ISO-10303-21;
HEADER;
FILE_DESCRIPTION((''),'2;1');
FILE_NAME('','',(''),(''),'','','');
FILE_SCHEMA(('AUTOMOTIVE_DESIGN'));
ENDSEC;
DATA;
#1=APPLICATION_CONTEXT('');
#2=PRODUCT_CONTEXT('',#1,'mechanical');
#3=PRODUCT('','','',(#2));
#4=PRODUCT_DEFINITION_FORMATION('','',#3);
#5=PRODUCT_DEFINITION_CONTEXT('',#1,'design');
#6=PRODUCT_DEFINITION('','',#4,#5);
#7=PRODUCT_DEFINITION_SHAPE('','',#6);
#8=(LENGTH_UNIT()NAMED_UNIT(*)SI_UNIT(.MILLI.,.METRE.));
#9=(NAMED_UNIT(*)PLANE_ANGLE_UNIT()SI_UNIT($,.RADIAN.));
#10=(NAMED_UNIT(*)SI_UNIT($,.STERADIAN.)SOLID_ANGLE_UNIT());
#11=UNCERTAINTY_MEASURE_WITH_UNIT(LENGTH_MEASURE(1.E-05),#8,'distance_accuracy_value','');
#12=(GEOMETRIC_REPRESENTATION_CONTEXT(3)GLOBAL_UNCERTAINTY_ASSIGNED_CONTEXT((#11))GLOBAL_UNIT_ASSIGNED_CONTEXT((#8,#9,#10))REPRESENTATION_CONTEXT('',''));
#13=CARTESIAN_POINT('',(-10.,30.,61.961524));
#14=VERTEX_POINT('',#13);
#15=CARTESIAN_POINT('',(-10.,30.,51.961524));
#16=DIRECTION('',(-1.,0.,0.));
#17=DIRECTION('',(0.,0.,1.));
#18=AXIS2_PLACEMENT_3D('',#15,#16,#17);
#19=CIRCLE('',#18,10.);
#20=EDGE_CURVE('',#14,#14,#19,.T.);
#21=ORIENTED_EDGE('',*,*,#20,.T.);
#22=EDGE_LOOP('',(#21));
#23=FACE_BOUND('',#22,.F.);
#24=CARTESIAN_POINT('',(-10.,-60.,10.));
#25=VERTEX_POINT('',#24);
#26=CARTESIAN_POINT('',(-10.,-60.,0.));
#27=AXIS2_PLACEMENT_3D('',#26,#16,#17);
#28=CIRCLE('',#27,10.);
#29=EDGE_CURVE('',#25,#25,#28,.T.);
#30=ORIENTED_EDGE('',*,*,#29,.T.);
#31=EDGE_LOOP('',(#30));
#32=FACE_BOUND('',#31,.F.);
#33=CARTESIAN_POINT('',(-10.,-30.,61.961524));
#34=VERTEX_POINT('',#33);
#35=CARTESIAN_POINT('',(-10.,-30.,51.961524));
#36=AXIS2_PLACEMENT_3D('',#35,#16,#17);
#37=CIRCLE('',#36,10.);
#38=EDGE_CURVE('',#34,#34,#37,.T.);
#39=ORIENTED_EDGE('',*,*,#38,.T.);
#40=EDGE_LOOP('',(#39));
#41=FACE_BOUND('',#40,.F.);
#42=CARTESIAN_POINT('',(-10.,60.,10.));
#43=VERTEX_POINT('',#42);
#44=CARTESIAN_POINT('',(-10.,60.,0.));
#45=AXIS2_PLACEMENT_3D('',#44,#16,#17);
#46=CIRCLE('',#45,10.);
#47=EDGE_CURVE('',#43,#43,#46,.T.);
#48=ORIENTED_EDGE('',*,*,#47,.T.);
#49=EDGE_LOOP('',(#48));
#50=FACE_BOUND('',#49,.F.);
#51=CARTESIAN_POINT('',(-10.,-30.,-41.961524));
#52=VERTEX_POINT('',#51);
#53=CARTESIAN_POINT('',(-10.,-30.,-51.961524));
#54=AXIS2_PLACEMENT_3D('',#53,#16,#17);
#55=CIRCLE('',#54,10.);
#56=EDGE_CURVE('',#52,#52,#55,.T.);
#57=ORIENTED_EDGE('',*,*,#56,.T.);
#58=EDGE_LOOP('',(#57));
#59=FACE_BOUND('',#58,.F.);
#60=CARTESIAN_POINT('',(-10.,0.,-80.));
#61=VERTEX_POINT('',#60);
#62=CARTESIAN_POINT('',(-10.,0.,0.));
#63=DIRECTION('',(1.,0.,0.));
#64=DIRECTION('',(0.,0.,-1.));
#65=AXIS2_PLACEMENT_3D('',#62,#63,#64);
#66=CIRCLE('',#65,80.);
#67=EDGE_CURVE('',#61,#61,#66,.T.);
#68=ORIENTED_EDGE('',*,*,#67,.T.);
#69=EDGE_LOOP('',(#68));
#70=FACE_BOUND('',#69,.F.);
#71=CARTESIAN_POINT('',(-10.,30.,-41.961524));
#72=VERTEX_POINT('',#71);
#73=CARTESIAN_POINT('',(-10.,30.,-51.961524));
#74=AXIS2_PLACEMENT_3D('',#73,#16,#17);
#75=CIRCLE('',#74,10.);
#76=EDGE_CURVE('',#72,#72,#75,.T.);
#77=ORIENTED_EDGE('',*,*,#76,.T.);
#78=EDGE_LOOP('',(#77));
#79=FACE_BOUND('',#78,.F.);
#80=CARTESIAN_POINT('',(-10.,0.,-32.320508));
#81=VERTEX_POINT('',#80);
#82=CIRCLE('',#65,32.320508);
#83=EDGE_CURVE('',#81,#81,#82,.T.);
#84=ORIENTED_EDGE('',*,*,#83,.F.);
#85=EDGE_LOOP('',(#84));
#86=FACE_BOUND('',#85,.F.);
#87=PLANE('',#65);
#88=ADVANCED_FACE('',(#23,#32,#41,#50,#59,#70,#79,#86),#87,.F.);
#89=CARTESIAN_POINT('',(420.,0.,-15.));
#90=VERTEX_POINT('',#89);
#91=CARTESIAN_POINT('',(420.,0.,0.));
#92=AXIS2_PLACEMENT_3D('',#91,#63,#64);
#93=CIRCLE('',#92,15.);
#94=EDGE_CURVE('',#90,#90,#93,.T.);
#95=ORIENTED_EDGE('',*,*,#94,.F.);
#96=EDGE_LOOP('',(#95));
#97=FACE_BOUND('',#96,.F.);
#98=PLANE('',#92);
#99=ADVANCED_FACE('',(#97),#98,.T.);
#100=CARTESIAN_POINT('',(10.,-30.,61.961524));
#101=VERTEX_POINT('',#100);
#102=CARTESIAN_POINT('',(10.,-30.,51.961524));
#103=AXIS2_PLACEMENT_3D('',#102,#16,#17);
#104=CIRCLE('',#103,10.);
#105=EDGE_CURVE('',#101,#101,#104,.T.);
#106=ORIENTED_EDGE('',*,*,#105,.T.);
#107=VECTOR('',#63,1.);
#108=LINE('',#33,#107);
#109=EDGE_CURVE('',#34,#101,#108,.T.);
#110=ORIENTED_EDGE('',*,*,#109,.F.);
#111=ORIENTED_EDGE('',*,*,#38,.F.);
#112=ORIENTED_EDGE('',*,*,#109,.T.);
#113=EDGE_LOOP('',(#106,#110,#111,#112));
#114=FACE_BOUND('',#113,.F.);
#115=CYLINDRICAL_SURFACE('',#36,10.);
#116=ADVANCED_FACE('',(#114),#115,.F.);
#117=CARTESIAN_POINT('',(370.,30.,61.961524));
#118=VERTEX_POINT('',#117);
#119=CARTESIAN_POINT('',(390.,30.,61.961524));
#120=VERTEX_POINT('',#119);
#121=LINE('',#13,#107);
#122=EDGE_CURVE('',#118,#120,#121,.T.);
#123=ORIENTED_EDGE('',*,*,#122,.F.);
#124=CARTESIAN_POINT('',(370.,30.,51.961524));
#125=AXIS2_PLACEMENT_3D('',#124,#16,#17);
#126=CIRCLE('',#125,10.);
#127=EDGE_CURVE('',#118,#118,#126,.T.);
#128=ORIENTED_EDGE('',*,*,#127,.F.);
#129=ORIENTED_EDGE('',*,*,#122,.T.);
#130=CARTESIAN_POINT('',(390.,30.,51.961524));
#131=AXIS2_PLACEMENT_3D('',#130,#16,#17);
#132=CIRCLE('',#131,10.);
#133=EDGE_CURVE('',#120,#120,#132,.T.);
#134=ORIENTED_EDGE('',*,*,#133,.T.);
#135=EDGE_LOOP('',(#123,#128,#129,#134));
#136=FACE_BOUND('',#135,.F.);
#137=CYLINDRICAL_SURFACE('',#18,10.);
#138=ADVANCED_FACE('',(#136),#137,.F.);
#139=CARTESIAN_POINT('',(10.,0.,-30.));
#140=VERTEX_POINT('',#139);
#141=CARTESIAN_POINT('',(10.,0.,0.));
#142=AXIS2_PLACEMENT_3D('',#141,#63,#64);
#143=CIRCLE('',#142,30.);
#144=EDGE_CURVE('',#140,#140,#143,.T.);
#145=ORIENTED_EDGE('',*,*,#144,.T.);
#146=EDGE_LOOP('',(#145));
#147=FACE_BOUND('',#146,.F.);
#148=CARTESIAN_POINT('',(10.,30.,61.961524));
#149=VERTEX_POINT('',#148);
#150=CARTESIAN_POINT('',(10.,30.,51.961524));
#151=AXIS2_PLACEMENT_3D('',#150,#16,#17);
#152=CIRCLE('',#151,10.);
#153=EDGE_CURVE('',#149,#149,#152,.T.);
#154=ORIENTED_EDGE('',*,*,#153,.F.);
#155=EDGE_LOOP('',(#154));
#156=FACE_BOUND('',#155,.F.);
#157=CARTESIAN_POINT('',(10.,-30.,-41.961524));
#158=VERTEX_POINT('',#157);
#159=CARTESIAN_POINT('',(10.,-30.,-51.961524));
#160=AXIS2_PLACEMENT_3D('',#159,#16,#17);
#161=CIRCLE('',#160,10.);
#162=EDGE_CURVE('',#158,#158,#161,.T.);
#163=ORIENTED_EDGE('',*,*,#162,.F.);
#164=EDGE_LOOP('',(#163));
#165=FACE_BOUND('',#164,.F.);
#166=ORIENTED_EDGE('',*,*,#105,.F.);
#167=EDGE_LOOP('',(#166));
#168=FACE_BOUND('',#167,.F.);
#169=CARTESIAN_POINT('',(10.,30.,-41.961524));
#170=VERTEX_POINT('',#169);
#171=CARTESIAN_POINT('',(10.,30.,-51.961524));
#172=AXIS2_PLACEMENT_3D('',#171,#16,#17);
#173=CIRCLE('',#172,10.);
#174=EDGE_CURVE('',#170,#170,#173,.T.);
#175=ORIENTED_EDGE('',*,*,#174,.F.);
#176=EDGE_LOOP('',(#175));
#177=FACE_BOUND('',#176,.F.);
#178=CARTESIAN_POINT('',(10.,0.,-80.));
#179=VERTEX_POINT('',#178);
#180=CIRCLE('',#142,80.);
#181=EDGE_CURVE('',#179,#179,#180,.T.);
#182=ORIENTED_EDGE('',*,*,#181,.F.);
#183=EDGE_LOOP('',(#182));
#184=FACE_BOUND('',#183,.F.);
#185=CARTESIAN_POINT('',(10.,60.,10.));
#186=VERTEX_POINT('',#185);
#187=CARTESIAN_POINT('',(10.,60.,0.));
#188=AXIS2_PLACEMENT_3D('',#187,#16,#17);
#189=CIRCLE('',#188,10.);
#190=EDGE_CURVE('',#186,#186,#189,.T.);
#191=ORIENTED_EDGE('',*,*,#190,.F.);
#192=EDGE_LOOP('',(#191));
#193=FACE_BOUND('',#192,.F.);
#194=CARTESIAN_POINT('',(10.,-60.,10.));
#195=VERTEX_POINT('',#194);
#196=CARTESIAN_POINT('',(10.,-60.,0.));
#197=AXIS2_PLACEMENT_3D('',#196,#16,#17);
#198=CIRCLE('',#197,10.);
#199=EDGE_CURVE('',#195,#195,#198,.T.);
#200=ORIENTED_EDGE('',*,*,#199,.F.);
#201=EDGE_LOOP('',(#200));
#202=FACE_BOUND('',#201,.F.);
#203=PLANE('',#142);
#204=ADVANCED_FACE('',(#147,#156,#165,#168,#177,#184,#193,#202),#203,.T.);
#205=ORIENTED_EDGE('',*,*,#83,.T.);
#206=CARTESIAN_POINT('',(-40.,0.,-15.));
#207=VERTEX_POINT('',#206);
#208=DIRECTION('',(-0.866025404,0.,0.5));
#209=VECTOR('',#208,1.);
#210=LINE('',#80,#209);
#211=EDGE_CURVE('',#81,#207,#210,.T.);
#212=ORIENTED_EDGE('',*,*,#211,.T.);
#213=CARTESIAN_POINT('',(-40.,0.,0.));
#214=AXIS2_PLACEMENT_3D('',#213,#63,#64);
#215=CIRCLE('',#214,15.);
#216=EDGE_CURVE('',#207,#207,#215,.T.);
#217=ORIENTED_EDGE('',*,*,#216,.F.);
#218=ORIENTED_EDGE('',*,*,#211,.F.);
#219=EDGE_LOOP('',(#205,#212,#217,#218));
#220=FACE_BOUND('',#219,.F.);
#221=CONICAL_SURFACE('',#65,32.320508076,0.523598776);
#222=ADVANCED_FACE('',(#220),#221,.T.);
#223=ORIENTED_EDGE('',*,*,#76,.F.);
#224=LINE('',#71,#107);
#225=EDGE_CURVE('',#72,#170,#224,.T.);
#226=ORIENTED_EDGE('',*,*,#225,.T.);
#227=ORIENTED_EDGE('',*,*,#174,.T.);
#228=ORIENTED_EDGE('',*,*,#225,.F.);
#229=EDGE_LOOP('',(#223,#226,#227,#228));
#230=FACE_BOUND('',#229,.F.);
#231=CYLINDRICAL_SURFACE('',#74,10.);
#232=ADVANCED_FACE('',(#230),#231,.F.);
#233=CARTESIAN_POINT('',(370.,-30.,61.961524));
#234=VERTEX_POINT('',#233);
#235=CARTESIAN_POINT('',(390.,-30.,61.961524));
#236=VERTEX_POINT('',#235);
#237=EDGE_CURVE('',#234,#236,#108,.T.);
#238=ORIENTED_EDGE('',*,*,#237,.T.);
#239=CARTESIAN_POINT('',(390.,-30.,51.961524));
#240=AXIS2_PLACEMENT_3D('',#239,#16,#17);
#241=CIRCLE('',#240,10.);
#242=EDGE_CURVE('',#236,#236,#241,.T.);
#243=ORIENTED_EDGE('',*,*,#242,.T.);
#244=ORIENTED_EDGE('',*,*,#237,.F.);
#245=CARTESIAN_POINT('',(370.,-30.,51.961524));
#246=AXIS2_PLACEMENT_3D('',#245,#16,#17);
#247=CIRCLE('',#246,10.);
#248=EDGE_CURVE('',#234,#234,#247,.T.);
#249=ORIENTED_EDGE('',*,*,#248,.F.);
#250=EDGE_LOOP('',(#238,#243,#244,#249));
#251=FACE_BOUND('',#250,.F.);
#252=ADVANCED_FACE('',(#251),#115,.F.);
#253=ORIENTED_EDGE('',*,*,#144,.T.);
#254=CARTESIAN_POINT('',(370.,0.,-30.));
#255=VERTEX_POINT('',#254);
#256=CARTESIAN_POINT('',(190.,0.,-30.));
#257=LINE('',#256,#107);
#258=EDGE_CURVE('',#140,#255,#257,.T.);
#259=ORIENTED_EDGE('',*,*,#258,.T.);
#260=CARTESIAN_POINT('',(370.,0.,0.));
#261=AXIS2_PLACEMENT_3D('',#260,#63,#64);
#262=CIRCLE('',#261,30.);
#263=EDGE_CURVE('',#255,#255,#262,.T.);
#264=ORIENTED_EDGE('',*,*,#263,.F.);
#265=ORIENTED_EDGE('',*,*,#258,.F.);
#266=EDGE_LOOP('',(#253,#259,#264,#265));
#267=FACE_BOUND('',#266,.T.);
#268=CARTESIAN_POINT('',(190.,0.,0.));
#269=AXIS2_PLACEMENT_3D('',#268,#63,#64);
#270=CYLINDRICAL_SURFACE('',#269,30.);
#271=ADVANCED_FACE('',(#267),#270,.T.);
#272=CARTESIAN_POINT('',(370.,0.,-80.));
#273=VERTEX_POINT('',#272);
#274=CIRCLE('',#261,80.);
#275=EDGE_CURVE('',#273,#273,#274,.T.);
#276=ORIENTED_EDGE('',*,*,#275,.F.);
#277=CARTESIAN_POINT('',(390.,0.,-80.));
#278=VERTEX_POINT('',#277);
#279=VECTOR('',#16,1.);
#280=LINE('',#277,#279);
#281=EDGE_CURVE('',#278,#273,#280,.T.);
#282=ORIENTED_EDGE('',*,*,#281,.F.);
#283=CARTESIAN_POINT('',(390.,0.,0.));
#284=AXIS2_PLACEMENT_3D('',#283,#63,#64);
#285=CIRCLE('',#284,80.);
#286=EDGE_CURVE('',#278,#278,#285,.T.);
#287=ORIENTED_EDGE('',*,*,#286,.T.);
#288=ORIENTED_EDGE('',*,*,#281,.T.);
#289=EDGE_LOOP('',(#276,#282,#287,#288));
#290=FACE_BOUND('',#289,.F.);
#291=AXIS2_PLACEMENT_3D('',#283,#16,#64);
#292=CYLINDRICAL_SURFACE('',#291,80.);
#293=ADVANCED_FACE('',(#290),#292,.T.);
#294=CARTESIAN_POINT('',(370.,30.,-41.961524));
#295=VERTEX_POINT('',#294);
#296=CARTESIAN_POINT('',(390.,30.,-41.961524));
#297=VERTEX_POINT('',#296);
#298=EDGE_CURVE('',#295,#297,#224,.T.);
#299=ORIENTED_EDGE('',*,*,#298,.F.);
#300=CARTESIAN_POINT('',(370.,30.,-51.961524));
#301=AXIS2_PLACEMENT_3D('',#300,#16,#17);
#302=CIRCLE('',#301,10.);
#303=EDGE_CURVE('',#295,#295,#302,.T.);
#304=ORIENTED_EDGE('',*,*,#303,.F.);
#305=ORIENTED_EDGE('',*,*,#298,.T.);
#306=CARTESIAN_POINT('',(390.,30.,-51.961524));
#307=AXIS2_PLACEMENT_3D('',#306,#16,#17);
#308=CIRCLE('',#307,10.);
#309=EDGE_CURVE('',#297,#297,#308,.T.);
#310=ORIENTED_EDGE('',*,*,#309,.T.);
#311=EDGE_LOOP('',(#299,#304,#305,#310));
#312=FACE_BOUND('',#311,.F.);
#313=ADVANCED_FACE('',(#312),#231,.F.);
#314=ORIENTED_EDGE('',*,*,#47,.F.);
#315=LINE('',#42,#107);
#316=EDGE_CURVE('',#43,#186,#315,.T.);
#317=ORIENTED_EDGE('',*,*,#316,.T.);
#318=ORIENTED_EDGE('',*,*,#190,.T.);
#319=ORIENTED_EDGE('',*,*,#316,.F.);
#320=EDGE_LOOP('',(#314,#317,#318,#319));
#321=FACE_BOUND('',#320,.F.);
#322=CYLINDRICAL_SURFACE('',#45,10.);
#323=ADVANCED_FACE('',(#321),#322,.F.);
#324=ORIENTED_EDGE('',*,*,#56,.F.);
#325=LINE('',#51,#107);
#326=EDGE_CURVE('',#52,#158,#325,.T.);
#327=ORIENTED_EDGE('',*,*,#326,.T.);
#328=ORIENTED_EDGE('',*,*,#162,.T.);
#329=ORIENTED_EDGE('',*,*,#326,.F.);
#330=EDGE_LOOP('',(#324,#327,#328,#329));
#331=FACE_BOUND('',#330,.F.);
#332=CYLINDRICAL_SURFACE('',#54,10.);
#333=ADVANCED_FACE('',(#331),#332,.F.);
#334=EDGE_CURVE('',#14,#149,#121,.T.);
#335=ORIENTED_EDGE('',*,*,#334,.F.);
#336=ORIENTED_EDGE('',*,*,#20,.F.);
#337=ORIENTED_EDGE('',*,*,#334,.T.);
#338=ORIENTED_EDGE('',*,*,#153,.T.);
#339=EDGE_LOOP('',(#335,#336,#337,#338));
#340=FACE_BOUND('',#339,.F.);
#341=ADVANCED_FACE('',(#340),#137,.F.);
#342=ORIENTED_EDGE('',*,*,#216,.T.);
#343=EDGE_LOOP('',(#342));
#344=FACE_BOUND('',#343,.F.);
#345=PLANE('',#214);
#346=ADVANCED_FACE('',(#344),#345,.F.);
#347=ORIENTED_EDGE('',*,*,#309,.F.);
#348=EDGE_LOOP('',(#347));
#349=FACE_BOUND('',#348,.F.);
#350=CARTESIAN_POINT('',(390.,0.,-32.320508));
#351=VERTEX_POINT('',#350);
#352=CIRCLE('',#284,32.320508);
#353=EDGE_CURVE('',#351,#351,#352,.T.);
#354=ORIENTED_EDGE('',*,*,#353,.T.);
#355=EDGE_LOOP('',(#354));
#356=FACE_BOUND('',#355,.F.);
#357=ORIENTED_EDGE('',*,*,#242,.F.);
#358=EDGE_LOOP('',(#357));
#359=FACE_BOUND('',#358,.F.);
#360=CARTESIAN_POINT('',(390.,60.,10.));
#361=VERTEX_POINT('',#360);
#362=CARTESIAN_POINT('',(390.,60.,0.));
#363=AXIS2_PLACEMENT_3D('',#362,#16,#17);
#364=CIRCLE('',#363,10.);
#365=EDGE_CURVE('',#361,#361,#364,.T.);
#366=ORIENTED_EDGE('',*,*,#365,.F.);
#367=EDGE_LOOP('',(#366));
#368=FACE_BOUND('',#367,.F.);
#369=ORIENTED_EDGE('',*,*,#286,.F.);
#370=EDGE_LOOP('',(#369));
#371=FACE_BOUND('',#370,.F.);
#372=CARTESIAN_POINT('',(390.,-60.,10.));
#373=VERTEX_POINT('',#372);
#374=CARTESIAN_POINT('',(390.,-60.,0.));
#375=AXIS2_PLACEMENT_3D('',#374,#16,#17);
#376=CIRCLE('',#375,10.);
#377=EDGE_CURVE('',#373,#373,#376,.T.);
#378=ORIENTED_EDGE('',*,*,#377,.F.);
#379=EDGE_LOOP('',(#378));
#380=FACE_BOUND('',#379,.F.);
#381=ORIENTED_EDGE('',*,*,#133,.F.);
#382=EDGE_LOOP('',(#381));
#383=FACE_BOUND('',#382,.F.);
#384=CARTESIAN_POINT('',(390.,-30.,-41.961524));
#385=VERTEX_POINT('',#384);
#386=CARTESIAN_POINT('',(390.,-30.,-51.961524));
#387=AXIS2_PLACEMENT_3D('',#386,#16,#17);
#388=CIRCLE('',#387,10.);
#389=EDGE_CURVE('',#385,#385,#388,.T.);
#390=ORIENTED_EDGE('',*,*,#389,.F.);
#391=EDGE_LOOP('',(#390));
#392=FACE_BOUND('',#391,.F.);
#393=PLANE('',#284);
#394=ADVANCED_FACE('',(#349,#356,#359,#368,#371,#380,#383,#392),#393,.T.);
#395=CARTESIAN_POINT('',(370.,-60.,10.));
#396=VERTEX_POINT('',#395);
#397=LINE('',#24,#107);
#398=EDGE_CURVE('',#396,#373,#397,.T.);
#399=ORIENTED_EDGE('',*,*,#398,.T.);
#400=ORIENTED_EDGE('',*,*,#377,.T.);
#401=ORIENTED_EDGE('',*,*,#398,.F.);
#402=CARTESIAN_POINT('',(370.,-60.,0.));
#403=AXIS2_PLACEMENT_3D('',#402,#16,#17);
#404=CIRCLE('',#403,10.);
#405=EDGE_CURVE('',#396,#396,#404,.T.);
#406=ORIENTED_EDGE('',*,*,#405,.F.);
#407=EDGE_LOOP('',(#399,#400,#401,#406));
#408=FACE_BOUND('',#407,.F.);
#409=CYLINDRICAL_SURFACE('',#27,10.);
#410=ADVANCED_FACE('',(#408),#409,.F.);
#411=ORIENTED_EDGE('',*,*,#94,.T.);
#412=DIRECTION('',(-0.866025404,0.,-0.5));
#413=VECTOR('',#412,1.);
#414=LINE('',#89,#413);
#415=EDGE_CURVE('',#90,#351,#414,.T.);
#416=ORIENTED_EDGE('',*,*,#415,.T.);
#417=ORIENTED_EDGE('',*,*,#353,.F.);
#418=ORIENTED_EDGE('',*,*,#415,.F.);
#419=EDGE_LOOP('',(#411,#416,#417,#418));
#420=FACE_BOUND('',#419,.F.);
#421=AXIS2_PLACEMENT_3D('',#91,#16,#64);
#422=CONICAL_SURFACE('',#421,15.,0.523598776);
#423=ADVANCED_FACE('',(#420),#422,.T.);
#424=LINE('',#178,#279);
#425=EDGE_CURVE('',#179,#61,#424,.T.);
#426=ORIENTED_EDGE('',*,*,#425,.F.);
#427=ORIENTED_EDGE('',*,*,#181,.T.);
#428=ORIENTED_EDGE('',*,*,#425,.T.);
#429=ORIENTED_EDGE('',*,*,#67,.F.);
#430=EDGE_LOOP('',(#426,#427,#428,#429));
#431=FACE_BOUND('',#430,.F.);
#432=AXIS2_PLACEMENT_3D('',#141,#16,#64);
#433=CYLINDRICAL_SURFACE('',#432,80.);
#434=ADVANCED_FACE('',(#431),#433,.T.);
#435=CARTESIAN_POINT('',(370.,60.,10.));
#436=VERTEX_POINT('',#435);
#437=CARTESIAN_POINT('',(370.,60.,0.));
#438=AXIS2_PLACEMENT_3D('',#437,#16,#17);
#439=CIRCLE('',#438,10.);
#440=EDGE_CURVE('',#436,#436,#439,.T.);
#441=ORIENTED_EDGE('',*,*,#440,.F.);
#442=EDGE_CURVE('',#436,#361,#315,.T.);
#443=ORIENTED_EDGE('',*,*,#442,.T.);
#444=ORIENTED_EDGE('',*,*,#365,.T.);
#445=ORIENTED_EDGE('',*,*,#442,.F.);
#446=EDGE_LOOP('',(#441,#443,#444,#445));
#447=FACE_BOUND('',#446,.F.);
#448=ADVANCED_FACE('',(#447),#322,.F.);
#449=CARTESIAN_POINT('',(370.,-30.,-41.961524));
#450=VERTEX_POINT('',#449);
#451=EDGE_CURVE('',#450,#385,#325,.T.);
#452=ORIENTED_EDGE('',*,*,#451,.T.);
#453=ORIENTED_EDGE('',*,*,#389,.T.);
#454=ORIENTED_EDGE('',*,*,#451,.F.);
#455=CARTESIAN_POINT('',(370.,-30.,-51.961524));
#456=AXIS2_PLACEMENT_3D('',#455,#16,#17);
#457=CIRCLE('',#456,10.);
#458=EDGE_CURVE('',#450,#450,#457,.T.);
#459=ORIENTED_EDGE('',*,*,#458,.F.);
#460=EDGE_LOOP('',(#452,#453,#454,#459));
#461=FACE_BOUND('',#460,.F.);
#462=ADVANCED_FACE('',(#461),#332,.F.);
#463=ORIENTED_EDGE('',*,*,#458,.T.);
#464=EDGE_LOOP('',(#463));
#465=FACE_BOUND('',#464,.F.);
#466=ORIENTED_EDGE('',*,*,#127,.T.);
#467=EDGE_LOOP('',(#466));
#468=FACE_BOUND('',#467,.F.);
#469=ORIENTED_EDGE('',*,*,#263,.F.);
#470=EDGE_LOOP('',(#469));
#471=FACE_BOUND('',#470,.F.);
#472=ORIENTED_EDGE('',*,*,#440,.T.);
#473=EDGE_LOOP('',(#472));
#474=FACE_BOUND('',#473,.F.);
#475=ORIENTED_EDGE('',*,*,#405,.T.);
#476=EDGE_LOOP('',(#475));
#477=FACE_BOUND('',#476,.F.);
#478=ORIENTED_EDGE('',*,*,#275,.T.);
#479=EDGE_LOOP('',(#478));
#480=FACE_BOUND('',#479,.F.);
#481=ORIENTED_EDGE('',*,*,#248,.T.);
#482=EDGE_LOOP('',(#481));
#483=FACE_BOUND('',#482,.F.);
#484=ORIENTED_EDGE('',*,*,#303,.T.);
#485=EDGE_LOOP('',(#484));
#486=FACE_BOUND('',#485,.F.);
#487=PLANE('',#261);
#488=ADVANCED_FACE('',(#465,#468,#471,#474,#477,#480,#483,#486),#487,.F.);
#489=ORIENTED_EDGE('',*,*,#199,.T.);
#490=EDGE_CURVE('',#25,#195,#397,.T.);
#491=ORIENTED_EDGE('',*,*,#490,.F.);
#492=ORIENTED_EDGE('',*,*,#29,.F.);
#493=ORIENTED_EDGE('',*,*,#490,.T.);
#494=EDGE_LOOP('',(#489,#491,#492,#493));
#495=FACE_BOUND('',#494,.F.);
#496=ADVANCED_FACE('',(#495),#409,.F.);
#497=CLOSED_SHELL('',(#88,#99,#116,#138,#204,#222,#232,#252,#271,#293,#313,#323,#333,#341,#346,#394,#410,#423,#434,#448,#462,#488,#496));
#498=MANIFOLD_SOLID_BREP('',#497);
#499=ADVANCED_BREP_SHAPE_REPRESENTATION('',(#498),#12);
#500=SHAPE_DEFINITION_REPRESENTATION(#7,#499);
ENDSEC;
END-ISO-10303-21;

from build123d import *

# Parameters (mm, degrees)
SKETCH3_W               = 360
SKETCH3_H               = 30
SKETCH4_R               = 10
CUT_EXTRUDE1_DEPTH      = 31
CUT_EXTRUDE1_DEPTH_BACK = 431


with BuildPart() as part:
    # Sketch3 → Revolve3 (revolve)
    with BuildSketch(Plane(origin=(0, 0, 0), x_dir=(1, 0, 0), z_dir=(0, 1, 0))):
        Polygon((-10, 32.320508076), (-40, 15), (-40, 0), (-10, 0), align=None)
        Polygon((-10, 80), (-10, 32.320508076), (-10, 0), (10, 0), (10, 30), (10, 80), align=None)
        with Locations((190, 15)):
            Rectangle(SKETCH3_W, SKETCH3_H)
        Polygon((370, 30), (370, 0), (390, 0), (390, 32.320508076), (390, 80), (370, 80), align=None)
        Polygon((390, 32.320508076), (390, 0), (420, 0), (420, 15), align=None)
    revolve(axis=Axis((-40, 0, 0), (1, 0, 0)))

    # Sketch4 → Cut-Extrude1 (cut, two sides)
    with BuildSketch(Plane.ZY.offset(10)) as cut_extrude1_sk:
        with Locations((0, 60)):
            Circle(SKETCH4_R)
        with Locations((51.961524227, 30)):
            Circle(SKETCH4_R)
        with Locations((51.961524227, -30)):
            Circle(SKETCH4_R)
        with Locations((0, -60)):
            Circle(SKETCH4_R)
        with Locations((-51.961524227, -30)):
            Circle(SKETCH4_R)
        with Locations((-51.961524227, 30)):
            Circle(SKETCH4_R)
    extrude(amount=CUT_EXTRUDE1_DEPTH, mode=Mode.SUBTRACT)
    extrude(cut_extrude1_sk.sketch, amount=-CUT_EXTRUDE1_DEPTH_BACK, mode=Mode.SUBTRACT)


solid = part.part
